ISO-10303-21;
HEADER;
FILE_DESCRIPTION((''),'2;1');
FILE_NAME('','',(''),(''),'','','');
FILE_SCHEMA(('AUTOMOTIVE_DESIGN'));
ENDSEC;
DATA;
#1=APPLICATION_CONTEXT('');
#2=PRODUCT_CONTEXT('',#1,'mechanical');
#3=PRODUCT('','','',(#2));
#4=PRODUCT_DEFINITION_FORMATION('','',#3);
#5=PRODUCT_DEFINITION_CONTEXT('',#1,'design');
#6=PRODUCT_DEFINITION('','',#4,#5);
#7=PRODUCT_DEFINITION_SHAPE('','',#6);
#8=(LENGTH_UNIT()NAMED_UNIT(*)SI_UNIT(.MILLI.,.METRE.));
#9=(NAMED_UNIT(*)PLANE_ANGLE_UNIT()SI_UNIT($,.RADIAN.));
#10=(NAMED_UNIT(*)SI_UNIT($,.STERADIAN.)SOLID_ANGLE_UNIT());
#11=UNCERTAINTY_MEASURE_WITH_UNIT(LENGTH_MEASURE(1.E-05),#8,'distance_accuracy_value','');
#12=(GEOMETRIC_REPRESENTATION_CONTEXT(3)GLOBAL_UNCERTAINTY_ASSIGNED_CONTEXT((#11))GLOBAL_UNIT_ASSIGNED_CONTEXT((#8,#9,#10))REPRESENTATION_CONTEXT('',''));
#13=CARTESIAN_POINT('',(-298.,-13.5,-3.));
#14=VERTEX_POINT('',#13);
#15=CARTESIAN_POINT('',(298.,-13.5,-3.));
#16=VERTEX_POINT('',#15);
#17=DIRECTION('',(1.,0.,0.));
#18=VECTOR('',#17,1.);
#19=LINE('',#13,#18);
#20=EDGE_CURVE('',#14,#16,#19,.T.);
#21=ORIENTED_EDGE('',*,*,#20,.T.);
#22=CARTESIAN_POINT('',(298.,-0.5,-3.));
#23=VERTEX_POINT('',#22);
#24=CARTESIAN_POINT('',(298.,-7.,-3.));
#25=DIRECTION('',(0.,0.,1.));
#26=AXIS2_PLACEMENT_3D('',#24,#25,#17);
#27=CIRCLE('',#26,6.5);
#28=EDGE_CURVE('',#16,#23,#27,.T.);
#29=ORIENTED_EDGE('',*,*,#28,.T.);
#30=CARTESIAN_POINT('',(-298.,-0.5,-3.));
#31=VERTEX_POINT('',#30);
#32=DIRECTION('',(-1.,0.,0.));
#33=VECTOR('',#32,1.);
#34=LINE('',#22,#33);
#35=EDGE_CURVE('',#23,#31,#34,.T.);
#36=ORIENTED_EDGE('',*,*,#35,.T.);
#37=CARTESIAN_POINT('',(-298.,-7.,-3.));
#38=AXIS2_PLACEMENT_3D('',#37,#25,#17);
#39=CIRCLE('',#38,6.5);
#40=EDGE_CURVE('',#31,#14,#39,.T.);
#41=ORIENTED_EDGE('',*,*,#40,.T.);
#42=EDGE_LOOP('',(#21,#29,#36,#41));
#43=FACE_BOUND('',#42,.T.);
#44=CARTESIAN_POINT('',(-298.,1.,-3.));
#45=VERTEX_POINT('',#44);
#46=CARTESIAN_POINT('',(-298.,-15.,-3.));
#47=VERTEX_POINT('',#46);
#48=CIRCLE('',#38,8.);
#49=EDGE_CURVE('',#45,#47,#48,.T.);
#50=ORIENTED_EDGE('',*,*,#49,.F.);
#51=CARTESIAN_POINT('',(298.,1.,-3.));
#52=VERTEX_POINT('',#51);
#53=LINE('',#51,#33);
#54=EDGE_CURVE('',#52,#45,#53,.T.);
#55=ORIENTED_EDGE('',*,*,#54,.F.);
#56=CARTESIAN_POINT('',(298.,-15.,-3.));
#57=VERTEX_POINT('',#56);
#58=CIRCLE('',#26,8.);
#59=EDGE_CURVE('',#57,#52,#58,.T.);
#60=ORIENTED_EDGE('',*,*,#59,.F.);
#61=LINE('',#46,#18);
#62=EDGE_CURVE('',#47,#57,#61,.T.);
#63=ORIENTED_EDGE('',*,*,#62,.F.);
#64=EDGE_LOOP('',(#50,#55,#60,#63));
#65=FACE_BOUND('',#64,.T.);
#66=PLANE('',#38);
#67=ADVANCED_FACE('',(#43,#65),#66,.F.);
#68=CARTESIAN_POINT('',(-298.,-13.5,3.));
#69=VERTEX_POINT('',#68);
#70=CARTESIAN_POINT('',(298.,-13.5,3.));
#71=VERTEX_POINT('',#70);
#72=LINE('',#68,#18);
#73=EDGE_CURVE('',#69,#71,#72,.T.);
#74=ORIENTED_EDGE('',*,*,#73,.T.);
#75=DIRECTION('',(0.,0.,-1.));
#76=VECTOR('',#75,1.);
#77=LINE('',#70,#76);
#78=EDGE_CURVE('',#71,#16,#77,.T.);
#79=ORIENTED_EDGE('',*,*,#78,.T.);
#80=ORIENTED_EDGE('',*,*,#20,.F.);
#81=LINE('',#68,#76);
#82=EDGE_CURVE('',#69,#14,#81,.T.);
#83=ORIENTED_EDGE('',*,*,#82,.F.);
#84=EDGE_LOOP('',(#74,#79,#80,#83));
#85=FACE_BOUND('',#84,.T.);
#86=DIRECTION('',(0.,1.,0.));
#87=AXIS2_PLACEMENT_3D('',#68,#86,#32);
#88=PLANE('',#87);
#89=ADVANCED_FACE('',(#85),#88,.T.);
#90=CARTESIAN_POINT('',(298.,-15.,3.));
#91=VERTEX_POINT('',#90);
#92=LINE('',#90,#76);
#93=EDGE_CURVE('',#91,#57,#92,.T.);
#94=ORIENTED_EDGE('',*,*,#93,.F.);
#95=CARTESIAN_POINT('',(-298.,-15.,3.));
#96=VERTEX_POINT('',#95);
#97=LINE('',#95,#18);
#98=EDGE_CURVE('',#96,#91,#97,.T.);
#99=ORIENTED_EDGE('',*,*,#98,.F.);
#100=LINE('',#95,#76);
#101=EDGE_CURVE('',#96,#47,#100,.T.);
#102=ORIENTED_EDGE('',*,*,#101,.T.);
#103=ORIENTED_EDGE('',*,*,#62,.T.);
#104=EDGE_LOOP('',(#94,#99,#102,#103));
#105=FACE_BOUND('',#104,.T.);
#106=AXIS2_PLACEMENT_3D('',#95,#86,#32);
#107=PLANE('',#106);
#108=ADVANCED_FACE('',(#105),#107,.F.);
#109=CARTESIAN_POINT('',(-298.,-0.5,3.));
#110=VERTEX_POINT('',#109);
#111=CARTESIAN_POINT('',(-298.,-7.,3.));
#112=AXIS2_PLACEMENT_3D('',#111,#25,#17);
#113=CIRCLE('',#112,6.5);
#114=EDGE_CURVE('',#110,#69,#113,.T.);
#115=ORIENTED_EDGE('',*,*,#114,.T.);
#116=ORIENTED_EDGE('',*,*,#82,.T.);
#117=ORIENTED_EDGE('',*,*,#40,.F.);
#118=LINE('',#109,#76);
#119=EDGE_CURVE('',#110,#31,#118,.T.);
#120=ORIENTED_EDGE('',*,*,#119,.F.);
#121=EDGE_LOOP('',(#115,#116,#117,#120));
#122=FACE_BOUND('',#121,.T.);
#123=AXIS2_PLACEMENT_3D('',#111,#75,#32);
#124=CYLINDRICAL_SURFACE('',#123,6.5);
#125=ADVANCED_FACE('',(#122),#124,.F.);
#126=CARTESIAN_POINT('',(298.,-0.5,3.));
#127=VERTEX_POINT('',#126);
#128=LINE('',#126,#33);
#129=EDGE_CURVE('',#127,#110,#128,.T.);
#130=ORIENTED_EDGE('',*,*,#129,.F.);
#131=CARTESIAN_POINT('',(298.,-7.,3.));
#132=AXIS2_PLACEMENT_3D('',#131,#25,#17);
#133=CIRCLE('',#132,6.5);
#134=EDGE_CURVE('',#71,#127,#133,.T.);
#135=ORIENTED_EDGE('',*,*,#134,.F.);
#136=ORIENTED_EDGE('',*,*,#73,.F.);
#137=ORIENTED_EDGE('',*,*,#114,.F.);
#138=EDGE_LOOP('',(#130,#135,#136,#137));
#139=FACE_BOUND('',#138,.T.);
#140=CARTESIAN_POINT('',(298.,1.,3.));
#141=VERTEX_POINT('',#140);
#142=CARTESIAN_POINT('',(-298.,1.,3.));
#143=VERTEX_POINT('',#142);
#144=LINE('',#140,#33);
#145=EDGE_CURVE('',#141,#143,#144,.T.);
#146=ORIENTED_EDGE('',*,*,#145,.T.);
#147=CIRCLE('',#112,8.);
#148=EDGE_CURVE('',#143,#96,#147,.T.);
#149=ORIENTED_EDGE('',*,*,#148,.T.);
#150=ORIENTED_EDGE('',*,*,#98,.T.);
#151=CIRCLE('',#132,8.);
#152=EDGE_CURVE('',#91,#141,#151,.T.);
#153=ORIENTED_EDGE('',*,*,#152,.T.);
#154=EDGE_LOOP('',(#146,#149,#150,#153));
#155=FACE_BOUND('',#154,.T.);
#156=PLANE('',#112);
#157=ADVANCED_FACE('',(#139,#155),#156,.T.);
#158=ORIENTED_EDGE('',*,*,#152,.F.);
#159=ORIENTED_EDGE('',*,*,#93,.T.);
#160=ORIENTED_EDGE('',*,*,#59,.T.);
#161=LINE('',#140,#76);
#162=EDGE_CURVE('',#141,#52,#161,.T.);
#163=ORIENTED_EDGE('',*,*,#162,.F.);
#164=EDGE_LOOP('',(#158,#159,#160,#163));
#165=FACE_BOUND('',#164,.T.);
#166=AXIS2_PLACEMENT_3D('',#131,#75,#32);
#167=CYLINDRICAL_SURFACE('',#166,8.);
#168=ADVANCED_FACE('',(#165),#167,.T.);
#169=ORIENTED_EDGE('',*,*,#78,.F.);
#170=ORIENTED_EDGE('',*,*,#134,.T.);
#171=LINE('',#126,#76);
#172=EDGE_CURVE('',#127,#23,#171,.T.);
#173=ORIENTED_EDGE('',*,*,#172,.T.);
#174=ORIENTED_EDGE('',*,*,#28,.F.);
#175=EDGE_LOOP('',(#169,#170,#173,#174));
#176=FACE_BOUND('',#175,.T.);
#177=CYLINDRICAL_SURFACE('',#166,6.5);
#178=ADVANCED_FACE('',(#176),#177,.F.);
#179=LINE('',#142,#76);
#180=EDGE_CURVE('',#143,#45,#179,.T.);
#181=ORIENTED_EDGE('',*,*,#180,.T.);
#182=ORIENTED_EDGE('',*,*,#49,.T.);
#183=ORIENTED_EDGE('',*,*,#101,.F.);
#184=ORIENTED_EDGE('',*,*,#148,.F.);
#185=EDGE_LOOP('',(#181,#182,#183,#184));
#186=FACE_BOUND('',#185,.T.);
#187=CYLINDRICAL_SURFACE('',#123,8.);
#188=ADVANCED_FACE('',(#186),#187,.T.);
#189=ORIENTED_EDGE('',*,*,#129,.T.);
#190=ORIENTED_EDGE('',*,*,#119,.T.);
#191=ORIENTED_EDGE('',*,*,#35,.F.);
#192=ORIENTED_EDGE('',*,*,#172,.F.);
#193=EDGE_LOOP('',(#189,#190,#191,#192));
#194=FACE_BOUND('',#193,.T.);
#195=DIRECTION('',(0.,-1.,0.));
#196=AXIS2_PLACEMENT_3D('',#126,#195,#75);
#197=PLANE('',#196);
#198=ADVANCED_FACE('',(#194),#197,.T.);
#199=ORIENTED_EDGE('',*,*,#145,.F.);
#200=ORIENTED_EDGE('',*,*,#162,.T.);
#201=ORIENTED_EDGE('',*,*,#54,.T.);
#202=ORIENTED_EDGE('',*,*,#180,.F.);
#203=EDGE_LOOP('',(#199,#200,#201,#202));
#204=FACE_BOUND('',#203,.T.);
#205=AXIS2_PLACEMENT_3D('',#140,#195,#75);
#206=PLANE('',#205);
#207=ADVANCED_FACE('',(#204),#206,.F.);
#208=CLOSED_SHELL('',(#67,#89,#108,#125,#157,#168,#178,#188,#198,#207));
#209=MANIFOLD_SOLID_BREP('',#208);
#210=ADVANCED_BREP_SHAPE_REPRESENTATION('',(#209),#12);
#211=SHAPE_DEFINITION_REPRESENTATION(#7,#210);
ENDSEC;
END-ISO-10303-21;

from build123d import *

# Parameters (mm, degrees)
EXTRUDE_THIN1_DEPTH = 3


with BuildPart() as part:
    # Sketch1 → Extrude-Thin1 (new, symmetric)
    with BuildSketch(Plane.XY):
        with BuildLine():
            Line((298, 1), (-298, 1))
            ThreePointArc((-298, 1), (-306, -7), (-298, -15))
            Line((-298, -15), (298, -15))
            ThreePointArc((298, -15), (306, -7), (298, 1))
        make_face()
        with BuildLine():
            Line((298, -0.5), (-298, -0.5))
            ThreePointArc((-298, -0.5), (-304.5, -7), (-298, -13.5))
            Line((-298, -13.5), (298, -13.5))
            ThreePointArc((298, -13.5), (304.5, -7), (298, -0.5))
        make_face(mode=Mode.SUBTRACT)
    extrude(amount=EXTRUDE_THIN1_DEPTH, both=True)


solid = part.part
